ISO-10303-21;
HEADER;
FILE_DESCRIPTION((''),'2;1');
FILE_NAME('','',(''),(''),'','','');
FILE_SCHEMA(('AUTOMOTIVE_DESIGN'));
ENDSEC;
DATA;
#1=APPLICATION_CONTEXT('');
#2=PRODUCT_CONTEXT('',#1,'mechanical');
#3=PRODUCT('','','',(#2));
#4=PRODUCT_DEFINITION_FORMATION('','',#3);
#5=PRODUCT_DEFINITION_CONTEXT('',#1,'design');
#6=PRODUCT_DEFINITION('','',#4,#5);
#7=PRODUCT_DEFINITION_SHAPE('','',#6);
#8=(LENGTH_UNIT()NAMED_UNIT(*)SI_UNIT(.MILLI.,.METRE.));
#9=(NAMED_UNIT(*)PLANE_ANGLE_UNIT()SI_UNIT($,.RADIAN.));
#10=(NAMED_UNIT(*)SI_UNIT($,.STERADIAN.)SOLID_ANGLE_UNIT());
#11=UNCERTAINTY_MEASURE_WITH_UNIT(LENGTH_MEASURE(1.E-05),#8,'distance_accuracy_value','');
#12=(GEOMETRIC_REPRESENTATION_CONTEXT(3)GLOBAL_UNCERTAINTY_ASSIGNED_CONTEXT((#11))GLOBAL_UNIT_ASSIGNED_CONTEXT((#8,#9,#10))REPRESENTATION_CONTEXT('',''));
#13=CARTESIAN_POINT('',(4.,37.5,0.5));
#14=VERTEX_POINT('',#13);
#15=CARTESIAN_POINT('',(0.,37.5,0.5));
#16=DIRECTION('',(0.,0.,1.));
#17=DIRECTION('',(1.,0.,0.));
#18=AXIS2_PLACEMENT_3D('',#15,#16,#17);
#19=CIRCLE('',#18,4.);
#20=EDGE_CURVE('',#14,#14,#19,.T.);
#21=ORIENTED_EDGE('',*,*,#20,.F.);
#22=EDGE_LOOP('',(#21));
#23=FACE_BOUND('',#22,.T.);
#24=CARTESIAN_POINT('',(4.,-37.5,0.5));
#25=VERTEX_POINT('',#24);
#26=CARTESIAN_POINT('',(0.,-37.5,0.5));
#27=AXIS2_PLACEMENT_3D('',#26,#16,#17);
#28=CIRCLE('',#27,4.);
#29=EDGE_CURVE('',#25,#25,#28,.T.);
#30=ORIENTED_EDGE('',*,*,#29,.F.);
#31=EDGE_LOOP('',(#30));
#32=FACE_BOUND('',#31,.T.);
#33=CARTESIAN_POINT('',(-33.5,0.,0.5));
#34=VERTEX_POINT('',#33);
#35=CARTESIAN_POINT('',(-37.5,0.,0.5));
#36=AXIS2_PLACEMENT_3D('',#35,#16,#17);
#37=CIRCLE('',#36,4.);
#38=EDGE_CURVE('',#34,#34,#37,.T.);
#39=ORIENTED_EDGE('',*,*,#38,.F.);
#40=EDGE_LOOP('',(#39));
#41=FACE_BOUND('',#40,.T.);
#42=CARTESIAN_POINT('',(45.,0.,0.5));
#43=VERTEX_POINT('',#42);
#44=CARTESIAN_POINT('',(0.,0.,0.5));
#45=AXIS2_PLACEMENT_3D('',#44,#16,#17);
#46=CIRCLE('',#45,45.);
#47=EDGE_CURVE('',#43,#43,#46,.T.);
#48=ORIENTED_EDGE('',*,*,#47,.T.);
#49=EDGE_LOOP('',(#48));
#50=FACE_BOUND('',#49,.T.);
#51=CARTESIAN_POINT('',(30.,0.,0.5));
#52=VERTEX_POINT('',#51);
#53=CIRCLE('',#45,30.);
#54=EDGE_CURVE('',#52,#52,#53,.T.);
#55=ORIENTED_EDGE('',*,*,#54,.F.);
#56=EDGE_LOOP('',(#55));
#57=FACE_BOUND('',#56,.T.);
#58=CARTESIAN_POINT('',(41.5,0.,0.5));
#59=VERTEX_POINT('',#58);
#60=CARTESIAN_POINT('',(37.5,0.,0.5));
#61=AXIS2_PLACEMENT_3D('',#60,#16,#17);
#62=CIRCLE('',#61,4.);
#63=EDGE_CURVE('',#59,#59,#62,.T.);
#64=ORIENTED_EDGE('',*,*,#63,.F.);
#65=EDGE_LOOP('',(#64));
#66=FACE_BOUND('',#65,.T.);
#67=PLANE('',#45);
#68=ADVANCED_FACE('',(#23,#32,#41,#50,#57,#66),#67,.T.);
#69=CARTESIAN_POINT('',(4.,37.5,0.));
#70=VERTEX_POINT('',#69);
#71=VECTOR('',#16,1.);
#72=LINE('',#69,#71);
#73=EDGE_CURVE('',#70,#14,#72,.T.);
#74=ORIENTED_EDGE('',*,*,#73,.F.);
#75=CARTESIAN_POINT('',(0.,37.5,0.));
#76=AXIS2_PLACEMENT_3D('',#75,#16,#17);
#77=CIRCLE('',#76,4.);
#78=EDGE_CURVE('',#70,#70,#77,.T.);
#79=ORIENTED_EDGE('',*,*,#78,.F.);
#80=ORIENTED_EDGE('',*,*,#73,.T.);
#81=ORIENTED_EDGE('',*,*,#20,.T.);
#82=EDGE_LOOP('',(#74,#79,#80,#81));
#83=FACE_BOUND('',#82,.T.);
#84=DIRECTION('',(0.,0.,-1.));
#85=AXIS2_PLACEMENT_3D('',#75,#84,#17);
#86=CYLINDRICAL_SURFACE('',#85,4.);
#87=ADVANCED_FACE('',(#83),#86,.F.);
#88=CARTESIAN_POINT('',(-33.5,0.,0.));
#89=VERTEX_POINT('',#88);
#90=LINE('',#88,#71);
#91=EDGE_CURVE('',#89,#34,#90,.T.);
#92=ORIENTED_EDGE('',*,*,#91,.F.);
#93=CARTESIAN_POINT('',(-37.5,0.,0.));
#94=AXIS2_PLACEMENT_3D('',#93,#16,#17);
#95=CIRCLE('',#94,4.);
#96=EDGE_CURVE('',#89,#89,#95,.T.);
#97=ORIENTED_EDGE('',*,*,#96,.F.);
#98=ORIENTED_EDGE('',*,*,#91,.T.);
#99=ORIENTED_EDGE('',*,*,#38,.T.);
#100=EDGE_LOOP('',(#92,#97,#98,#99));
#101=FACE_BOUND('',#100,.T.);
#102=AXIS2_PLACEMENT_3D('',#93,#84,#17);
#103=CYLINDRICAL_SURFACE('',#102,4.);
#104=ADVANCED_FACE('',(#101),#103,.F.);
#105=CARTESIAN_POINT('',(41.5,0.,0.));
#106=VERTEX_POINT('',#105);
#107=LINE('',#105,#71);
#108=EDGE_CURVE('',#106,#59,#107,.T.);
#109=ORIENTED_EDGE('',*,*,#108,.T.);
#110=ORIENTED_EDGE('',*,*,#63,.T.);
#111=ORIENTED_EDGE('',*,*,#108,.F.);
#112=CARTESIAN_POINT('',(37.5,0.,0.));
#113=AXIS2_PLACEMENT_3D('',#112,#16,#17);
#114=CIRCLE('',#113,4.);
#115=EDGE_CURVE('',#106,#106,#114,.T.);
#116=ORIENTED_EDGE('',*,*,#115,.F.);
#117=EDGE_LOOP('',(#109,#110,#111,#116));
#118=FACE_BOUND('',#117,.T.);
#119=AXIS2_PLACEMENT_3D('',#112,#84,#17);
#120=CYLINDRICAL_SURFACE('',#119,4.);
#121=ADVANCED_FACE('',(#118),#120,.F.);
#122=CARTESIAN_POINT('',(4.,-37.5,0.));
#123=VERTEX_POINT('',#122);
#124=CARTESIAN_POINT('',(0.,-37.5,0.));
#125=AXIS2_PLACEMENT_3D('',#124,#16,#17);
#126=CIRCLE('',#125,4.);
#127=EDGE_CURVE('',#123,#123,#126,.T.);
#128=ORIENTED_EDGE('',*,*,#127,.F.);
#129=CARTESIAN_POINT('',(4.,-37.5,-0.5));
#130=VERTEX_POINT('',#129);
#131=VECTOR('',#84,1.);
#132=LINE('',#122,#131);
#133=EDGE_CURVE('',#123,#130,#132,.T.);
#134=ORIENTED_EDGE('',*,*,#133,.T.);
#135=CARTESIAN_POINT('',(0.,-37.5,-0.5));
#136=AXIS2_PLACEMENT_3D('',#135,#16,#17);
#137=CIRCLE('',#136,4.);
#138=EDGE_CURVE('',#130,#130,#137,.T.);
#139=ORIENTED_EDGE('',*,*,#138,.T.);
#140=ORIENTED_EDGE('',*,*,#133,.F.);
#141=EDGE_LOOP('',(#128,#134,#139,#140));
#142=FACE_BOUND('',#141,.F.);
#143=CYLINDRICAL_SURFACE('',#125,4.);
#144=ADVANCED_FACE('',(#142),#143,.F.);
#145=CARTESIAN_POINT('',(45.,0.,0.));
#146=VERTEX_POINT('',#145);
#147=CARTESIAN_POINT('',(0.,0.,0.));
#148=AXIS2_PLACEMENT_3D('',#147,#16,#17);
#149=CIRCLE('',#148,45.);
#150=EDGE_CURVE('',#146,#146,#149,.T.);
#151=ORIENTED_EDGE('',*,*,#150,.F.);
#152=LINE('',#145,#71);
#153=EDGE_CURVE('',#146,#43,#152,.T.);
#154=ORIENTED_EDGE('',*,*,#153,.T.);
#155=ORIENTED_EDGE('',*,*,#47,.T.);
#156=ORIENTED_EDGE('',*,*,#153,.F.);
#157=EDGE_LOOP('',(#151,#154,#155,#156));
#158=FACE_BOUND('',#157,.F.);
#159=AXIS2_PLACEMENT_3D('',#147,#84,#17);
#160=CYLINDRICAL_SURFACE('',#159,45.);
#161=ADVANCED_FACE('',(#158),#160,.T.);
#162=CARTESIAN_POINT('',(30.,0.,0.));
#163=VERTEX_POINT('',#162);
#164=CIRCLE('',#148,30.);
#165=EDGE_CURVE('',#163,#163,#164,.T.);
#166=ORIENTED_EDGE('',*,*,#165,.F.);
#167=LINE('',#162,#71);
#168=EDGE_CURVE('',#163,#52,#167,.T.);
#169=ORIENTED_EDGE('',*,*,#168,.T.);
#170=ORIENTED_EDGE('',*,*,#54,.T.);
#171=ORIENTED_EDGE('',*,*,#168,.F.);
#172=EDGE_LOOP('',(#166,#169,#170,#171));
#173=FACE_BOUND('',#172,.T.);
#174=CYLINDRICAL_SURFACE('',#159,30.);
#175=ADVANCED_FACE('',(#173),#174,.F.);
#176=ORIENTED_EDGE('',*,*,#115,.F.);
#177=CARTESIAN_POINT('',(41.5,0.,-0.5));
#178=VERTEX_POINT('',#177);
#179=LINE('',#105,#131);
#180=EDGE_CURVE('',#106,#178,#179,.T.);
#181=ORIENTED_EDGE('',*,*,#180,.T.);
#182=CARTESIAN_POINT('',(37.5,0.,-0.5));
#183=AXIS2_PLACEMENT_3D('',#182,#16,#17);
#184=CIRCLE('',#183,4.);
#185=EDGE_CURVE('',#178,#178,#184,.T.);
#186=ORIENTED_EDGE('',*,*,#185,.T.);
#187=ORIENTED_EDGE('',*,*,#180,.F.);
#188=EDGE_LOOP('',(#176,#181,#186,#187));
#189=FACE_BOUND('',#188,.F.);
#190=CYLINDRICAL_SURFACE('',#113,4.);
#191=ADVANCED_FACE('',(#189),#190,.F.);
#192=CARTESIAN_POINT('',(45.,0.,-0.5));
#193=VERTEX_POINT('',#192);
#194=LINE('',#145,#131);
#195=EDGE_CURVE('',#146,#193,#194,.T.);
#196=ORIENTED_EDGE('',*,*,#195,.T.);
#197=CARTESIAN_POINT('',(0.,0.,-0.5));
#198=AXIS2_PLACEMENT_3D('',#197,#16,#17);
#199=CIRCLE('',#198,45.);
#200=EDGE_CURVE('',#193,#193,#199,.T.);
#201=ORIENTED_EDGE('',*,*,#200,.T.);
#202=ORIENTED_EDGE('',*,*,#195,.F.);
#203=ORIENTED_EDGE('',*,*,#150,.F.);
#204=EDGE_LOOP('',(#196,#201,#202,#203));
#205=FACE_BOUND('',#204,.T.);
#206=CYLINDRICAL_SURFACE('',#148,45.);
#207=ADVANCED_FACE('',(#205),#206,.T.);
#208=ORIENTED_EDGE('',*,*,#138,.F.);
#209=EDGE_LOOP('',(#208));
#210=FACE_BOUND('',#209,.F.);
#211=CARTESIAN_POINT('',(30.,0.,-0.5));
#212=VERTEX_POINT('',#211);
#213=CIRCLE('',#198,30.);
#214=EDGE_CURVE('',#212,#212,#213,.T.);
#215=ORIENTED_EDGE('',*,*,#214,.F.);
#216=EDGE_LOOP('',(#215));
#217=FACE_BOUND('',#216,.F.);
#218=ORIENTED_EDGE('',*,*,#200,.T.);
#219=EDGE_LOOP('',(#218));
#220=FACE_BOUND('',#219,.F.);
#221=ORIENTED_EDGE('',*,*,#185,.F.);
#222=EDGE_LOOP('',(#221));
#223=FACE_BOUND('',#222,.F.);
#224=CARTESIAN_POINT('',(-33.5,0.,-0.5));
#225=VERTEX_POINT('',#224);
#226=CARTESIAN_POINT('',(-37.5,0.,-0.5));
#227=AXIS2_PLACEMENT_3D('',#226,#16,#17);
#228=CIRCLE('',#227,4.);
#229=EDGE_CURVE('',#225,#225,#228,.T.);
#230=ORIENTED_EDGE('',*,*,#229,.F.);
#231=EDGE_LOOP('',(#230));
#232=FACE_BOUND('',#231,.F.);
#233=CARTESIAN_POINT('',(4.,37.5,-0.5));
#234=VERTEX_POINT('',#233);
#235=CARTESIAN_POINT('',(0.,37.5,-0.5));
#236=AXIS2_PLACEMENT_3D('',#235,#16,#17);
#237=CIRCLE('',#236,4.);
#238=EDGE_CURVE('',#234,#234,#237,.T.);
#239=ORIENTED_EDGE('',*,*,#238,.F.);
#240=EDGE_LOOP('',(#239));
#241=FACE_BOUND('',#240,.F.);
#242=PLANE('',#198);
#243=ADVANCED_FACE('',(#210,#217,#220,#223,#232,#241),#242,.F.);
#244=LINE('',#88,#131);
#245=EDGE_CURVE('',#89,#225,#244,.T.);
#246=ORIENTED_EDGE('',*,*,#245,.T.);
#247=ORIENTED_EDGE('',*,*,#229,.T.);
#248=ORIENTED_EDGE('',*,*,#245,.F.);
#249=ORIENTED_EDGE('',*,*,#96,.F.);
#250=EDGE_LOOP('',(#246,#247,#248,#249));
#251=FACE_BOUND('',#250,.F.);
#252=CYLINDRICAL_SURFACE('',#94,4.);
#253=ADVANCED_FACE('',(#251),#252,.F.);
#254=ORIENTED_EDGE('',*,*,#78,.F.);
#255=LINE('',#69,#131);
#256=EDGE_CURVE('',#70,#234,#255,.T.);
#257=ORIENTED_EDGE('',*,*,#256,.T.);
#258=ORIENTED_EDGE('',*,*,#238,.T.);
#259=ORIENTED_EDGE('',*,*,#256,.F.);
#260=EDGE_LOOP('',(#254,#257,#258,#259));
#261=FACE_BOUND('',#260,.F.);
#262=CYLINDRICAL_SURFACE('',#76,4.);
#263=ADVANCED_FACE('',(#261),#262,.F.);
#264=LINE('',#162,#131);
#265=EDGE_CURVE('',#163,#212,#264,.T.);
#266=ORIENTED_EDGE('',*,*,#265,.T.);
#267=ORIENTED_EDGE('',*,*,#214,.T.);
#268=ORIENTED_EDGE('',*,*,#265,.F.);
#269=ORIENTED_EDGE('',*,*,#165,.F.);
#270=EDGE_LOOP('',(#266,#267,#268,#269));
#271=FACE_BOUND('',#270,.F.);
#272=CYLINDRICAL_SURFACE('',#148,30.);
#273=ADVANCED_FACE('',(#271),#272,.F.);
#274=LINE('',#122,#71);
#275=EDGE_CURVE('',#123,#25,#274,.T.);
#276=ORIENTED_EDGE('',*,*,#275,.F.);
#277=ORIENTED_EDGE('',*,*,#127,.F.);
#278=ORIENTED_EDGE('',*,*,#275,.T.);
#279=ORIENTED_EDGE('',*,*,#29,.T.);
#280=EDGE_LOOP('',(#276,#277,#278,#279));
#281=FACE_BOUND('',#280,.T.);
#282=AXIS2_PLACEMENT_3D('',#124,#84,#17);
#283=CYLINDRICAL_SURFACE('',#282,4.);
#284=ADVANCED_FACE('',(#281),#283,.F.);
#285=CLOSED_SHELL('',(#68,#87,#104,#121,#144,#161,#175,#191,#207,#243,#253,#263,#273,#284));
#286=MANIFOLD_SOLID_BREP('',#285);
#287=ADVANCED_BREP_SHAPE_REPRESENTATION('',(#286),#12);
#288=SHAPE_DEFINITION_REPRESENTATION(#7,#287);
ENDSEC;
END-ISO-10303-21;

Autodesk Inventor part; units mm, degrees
ref_plane "YZ Plane" through (0, 0, 0) normal (1, 0, 0) x (0, 1, 0)
ref_plane "XZ Plane" through (0, 0, 0) normal (0, 1, 0) x (-1, 0, 0)
ref_plane "XY Plane" through (0, 0, 0) normal (0, 0, 1) x (1, 0, 0)
sketch "Sketch1" plane through (0, 0, 0) normal (0, 0, 1) x (1, 0, 0)
  circle A0 centre (0, 0) radius 45
  circle A1 centre (0, 0) radius 30
  circle A2 centre (0, 37.5) radius 4
  circle A3 centre (-37.5, 0) radius 4
  circle A4 centre (0, -37.5) radius 4
  circle A5 centre (37.5, 0) radius 4
  dimension "d0" = 90
  dimension "d1" = 60
  dimension "d2" = 8
  dimension "d3" = 37.5
  dimension "d6" = 360
  dimension "d8" = 75
  dimension "d9" = 37.5
  dimension "d10" = 37.5
  dimension "d11" = 75
extrude "Extrusion1" add sketch "Sketch1" along normal mid plane 1
